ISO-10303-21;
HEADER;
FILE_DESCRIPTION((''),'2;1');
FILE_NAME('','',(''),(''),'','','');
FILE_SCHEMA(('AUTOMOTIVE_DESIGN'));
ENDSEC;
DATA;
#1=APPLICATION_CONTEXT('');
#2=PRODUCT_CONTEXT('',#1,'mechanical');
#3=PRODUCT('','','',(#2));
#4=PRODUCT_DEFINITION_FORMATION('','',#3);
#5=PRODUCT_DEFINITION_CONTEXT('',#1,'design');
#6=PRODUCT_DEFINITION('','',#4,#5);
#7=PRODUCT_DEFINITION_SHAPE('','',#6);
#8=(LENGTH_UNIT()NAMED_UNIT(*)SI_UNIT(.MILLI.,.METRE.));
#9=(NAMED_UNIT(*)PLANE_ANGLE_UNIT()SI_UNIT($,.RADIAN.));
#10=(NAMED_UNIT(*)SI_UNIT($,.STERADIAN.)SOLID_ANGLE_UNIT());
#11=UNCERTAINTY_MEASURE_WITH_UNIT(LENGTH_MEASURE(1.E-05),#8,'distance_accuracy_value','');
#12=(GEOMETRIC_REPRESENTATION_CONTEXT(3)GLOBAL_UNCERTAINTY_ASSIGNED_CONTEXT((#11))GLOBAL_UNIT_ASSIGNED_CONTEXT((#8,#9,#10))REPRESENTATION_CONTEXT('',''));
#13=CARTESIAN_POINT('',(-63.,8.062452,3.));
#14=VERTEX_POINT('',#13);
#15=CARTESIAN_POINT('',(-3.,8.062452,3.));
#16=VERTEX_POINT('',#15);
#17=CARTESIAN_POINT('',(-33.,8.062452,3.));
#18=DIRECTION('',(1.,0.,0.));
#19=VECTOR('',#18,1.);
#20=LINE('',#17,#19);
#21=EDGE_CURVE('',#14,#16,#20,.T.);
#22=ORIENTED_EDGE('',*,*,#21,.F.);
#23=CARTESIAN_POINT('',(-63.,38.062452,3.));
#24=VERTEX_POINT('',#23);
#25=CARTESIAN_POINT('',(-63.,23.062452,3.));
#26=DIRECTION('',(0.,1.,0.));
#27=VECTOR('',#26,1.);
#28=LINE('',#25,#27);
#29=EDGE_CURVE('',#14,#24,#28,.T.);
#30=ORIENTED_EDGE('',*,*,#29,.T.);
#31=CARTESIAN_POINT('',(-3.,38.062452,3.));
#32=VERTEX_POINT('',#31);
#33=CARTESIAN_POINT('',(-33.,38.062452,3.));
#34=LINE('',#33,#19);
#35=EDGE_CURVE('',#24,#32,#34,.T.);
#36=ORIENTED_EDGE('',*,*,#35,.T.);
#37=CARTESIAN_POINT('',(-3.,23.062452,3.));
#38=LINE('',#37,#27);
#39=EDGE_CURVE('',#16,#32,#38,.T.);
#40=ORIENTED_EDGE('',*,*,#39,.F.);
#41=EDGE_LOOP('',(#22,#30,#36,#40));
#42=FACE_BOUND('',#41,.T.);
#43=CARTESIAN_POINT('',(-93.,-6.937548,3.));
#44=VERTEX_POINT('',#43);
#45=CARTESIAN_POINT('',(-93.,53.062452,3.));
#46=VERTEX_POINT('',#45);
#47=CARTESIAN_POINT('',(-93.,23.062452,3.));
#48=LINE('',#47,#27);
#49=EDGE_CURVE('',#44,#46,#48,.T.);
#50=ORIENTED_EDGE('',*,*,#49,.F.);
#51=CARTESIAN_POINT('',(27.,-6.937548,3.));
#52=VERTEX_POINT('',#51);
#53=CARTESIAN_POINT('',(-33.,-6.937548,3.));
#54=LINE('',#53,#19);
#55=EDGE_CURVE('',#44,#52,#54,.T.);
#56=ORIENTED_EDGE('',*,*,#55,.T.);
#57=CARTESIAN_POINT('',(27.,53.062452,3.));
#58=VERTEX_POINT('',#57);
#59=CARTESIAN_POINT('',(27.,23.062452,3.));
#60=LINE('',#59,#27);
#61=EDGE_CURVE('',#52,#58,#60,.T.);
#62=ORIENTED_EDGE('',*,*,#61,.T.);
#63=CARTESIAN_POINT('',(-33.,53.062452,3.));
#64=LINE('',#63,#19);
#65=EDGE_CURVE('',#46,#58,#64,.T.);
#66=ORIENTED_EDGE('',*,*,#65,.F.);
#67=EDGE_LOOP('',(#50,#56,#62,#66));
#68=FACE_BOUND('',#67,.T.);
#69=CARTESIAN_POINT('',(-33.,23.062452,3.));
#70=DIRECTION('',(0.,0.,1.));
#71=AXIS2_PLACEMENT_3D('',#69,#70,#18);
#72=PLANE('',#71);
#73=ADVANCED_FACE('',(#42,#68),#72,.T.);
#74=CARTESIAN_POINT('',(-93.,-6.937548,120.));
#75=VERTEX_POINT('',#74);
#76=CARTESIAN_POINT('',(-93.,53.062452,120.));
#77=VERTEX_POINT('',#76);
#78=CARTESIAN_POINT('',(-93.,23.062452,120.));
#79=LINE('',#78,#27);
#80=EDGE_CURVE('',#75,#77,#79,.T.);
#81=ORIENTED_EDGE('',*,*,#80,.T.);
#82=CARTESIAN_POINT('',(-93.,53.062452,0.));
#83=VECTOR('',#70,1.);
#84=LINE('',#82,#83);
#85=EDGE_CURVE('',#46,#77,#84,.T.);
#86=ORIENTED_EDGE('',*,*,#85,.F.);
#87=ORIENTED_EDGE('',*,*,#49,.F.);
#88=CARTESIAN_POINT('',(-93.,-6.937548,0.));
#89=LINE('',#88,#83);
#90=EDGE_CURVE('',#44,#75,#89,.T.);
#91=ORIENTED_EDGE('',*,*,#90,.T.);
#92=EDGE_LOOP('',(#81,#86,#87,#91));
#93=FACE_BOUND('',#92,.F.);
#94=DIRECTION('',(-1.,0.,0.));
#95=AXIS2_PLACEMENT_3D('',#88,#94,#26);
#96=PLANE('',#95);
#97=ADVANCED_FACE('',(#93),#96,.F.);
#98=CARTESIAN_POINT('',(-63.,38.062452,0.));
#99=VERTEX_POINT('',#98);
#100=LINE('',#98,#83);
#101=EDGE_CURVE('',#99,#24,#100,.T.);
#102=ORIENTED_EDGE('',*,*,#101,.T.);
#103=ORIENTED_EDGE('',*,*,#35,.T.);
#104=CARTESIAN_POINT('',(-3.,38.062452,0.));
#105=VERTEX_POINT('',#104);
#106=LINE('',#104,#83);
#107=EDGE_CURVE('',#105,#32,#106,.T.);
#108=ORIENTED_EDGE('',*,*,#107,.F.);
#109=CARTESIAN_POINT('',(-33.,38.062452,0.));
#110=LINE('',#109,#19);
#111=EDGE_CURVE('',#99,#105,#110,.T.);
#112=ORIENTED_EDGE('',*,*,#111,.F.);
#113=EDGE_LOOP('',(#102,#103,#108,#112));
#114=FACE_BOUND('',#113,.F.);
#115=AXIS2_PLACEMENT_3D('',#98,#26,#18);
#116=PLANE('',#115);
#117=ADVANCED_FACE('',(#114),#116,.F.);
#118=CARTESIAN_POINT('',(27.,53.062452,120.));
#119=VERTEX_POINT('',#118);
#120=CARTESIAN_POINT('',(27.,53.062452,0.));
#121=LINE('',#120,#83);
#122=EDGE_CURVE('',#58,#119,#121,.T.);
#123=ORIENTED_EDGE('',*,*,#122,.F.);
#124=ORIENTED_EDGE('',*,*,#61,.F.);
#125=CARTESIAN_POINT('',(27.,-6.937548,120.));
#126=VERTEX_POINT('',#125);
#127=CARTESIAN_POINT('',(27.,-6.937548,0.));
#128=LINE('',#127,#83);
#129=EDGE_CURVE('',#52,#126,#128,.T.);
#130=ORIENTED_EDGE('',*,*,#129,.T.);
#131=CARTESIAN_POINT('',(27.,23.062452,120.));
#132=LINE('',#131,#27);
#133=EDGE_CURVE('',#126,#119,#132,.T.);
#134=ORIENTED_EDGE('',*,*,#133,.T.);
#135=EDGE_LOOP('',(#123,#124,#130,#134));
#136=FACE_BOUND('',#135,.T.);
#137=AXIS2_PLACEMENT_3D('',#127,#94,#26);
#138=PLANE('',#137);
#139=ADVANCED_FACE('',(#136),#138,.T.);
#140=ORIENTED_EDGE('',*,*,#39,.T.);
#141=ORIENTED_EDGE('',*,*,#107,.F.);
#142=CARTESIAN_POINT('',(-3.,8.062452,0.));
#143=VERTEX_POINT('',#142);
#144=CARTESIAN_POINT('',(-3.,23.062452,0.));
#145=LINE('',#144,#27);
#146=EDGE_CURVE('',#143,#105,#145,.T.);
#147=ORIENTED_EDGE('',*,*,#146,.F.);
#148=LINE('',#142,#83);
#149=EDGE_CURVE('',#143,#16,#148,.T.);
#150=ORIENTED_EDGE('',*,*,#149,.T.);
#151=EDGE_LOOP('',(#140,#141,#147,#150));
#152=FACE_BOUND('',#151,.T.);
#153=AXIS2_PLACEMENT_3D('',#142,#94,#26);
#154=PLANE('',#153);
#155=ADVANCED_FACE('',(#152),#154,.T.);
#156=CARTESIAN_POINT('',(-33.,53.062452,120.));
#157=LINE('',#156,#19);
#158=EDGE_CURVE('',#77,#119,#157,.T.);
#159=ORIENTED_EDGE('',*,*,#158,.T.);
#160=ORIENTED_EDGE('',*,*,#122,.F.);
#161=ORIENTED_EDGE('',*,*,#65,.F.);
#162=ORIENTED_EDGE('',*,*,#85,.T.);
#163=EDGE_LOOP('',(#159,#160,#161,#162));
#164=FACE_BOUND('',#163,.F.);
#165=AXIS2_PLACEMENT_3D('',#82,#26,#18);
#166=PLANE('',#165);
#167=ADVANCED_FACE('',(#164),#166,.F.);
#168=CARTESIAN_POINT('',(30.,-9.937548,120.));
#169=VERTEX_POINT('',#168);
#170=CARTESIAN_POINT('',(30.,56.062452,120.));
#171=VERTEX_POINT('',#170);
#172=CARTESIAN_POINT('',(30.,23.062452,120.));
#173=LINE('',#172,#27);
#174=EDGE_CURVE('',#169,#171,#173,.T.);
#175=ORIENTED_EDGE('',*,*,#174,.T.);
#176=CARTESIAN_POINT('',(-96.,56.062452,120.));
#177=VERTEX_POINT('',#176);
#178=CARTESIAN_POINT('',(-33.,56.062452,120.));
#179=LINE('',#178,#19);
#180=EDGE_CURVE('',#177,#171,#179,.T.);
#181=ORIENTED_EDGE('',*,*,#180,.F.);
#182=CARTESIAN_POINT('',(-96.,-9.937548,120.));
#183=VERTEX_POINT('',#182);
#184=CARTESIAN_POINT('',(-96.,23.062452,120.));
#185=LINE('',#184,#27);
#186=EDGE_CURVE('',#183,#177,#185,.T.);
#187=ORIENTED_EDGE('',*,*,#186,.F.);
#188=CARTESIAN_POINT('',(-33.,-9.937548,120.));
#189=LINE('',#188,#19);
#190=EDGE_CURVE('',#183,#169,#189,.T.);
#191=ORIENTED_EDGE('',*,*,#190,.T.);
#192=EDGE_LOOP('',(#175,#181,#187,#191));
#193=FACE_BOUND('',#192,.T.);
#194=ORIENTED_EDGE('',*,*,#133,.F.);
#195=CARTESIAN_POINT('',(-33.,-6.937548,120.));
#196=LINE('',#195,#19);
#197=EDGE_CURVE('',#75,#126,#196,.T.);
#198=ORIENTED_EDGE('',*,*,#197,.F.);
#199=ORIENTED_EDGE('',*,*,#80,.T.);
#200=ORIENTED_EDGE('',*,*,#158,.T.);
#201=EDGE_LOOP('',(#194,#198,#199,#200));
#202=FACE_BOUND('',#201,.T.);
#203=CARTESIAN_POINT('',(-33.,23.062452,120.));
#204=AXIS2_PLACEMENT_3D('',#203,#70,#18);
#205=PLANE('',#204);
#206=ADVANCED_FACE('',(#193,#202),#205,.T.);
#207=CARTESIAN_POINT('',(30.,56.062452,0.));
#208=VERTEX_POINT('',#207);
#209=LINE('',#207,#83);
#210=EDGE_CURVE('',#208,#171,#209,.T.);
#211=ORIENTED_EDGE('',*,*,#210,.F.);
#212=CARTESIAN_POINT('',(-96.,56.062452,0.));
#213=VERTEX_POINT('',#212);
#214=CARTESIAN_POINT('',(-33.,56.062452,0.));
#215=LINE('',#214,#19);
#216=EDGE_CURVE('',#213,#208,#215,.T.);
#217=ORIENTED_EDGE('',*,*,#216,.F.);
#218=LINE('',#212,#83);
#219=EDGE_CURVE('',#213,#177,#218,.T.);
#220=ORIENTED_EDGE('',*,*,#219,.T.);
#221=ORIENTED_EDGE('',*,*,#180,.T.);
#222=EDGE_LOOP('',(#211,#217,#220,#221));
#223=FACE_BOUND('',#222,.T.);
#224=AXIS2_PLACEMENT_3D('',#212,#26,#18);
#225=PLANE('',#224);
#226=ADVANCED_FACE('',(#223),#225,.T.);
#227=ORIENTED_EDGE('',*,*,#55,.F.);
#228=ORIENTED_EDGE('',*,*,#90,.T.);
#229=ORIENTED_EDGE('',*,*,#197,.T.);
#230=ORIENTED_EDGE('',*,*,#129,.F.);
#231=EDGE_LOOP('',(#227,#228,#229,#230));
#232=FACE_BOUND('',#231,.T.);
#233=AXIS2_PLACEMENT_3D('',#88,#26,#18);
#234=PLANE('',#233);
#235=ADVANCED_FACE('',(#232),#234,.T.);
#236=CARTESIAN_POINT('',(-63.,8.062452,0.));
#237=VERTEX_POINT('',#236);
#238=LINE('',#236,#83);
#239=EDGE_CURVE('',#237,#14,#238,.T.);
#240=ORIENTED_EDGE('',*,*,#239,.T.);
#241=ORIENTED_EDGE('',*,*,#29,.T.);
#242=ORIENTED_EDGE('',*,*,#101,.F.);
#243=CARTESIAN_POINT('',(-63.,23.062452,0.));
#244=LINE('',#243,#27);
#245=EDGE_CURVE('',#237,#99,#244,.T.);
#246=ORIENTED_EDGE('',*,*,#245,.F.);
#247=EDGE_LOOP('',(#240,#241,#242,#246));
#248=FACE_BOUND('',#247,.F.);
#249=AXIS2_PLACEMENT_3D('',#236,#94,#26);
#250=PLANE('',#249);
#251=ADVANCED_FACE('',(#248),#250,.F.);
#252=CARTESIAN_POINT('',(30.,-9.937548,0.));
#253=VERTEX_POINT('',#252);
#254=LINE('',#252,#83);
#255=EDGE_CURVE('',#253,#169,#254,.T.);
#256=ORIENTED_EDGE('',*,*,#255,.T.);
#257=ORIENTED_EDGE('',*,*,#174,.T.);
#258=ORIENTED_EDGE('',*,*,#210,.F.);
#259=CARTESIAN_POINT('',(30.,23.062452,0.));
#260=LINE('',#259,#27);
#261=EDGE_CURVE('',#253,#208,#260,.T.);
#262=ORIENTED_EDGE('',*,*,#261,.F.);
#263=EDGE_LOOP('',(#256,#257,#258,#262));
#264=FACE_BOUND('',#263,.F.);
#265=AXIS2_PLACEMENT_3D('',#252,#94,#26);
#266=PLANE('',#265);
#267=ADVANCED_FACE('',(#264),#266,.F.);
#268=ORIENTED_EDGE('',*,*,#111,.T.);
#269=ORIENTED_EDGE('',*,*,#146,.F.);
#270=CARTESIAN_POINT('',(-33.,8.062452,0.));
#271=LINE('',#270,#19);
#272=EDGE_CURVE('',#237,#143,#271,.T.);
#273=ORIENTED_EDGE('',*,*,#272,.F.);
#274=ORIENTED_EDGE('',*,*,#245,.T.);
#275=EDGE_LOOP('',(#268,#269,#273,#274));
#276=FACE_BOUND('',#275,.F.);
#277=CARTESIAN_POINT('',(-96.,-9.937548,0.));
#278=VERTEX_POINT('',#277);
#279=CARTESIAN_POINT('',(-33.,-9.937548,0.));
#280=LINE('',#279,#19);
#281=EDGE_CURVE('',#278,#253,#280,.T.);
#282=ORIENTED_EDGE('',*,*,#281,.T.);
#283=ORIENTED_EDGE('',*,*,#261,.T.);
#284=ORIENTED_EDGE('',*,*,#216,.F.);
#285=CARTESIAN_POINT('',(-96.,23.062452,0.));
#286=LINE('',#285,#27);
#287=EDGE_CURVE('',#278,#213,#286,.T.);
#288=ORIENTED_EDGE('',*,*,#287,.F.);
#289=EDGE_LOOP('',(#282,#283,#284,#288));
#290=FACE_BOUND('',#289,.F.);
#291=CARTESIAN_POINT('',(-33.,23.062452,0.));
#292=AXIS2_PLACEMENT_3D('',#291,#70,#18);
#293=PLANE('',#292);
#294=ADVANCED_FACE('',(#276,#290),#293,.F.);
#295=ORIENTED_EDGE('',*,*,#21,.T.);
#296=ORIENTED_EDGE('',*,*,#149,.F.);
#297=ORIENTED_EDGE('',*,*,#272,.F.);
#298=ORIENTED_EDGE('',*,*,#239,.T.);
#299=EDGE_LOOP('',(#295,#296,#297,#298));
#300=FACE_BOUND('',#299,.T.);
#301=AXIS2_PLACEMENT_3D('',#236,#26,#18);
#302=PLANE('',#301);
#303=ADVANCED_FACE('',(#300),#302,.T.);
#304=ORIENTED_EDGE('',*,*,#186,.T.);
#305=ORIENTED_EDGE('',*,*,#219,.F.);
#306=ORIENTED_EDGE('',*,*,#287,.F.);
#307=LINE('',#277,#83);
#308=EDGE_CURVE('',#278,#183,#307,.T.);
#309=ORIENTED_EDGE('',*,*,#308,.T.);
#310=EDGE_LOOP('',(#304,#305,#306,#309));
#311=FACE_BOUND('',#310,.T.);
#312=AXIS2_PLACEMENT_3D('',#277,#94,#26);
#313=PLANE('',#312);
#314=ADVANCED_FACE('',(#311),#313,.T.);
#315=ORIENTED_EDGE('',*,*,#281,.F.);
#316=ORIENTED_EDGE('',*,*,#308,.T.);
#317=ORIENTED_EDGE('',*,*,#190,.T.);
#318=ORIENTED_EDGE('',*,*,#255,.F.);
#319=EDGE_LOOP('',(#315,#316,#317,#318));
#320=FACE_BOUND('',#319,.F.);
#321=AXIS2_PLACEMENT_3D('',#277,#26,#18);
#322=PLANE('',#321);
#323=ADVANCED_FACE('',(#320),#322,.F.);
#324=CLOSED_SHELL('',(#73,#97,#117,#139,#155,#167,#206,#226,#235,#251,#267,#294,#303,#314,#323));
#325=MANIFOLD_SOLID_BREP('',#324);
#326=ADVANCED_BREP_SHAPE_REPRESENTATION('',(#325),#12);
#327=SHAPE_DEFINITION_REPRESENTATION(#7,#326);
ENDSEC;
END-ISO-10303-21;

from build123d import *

# Parameters (mm, degrees)
F0_W     = 126
F0_H     = 66
F0_W_2   = 120
F0_H_2   = 60
F1_DEPTH = 120
F0_W_3   = 60
F0_H_3   = 30
F2_DEPTH = 3


with BuildPart() as f1:
    # F0 (on Top) → F1 (new body)
    with BuildSketch(Plane.XY):
        with Locations((-33, 23.062452)):
            Rectangle(F0_W, F0_H)
        with Locations((-33, 23.062452)):
            Rectangle(F0_W_2, F0_H_2, mode=Mode.SUBTRACT)
    extrude(amount=F1_DEPTH)

    # F0 (on Top) → F2 (join)
    with BuildSketch(Plane.XY):
        with Locations((-33, 23.062452)):
            Rectangle(F0_W_2, F0_H_2)
        with Locations((-33, 23.062452)):
            Rectangle(F0_W_3, F0_H_3, mode=Mode.SUBTRACT)
    extrude(amount=F2_DEPTH)


solid = f1.part
